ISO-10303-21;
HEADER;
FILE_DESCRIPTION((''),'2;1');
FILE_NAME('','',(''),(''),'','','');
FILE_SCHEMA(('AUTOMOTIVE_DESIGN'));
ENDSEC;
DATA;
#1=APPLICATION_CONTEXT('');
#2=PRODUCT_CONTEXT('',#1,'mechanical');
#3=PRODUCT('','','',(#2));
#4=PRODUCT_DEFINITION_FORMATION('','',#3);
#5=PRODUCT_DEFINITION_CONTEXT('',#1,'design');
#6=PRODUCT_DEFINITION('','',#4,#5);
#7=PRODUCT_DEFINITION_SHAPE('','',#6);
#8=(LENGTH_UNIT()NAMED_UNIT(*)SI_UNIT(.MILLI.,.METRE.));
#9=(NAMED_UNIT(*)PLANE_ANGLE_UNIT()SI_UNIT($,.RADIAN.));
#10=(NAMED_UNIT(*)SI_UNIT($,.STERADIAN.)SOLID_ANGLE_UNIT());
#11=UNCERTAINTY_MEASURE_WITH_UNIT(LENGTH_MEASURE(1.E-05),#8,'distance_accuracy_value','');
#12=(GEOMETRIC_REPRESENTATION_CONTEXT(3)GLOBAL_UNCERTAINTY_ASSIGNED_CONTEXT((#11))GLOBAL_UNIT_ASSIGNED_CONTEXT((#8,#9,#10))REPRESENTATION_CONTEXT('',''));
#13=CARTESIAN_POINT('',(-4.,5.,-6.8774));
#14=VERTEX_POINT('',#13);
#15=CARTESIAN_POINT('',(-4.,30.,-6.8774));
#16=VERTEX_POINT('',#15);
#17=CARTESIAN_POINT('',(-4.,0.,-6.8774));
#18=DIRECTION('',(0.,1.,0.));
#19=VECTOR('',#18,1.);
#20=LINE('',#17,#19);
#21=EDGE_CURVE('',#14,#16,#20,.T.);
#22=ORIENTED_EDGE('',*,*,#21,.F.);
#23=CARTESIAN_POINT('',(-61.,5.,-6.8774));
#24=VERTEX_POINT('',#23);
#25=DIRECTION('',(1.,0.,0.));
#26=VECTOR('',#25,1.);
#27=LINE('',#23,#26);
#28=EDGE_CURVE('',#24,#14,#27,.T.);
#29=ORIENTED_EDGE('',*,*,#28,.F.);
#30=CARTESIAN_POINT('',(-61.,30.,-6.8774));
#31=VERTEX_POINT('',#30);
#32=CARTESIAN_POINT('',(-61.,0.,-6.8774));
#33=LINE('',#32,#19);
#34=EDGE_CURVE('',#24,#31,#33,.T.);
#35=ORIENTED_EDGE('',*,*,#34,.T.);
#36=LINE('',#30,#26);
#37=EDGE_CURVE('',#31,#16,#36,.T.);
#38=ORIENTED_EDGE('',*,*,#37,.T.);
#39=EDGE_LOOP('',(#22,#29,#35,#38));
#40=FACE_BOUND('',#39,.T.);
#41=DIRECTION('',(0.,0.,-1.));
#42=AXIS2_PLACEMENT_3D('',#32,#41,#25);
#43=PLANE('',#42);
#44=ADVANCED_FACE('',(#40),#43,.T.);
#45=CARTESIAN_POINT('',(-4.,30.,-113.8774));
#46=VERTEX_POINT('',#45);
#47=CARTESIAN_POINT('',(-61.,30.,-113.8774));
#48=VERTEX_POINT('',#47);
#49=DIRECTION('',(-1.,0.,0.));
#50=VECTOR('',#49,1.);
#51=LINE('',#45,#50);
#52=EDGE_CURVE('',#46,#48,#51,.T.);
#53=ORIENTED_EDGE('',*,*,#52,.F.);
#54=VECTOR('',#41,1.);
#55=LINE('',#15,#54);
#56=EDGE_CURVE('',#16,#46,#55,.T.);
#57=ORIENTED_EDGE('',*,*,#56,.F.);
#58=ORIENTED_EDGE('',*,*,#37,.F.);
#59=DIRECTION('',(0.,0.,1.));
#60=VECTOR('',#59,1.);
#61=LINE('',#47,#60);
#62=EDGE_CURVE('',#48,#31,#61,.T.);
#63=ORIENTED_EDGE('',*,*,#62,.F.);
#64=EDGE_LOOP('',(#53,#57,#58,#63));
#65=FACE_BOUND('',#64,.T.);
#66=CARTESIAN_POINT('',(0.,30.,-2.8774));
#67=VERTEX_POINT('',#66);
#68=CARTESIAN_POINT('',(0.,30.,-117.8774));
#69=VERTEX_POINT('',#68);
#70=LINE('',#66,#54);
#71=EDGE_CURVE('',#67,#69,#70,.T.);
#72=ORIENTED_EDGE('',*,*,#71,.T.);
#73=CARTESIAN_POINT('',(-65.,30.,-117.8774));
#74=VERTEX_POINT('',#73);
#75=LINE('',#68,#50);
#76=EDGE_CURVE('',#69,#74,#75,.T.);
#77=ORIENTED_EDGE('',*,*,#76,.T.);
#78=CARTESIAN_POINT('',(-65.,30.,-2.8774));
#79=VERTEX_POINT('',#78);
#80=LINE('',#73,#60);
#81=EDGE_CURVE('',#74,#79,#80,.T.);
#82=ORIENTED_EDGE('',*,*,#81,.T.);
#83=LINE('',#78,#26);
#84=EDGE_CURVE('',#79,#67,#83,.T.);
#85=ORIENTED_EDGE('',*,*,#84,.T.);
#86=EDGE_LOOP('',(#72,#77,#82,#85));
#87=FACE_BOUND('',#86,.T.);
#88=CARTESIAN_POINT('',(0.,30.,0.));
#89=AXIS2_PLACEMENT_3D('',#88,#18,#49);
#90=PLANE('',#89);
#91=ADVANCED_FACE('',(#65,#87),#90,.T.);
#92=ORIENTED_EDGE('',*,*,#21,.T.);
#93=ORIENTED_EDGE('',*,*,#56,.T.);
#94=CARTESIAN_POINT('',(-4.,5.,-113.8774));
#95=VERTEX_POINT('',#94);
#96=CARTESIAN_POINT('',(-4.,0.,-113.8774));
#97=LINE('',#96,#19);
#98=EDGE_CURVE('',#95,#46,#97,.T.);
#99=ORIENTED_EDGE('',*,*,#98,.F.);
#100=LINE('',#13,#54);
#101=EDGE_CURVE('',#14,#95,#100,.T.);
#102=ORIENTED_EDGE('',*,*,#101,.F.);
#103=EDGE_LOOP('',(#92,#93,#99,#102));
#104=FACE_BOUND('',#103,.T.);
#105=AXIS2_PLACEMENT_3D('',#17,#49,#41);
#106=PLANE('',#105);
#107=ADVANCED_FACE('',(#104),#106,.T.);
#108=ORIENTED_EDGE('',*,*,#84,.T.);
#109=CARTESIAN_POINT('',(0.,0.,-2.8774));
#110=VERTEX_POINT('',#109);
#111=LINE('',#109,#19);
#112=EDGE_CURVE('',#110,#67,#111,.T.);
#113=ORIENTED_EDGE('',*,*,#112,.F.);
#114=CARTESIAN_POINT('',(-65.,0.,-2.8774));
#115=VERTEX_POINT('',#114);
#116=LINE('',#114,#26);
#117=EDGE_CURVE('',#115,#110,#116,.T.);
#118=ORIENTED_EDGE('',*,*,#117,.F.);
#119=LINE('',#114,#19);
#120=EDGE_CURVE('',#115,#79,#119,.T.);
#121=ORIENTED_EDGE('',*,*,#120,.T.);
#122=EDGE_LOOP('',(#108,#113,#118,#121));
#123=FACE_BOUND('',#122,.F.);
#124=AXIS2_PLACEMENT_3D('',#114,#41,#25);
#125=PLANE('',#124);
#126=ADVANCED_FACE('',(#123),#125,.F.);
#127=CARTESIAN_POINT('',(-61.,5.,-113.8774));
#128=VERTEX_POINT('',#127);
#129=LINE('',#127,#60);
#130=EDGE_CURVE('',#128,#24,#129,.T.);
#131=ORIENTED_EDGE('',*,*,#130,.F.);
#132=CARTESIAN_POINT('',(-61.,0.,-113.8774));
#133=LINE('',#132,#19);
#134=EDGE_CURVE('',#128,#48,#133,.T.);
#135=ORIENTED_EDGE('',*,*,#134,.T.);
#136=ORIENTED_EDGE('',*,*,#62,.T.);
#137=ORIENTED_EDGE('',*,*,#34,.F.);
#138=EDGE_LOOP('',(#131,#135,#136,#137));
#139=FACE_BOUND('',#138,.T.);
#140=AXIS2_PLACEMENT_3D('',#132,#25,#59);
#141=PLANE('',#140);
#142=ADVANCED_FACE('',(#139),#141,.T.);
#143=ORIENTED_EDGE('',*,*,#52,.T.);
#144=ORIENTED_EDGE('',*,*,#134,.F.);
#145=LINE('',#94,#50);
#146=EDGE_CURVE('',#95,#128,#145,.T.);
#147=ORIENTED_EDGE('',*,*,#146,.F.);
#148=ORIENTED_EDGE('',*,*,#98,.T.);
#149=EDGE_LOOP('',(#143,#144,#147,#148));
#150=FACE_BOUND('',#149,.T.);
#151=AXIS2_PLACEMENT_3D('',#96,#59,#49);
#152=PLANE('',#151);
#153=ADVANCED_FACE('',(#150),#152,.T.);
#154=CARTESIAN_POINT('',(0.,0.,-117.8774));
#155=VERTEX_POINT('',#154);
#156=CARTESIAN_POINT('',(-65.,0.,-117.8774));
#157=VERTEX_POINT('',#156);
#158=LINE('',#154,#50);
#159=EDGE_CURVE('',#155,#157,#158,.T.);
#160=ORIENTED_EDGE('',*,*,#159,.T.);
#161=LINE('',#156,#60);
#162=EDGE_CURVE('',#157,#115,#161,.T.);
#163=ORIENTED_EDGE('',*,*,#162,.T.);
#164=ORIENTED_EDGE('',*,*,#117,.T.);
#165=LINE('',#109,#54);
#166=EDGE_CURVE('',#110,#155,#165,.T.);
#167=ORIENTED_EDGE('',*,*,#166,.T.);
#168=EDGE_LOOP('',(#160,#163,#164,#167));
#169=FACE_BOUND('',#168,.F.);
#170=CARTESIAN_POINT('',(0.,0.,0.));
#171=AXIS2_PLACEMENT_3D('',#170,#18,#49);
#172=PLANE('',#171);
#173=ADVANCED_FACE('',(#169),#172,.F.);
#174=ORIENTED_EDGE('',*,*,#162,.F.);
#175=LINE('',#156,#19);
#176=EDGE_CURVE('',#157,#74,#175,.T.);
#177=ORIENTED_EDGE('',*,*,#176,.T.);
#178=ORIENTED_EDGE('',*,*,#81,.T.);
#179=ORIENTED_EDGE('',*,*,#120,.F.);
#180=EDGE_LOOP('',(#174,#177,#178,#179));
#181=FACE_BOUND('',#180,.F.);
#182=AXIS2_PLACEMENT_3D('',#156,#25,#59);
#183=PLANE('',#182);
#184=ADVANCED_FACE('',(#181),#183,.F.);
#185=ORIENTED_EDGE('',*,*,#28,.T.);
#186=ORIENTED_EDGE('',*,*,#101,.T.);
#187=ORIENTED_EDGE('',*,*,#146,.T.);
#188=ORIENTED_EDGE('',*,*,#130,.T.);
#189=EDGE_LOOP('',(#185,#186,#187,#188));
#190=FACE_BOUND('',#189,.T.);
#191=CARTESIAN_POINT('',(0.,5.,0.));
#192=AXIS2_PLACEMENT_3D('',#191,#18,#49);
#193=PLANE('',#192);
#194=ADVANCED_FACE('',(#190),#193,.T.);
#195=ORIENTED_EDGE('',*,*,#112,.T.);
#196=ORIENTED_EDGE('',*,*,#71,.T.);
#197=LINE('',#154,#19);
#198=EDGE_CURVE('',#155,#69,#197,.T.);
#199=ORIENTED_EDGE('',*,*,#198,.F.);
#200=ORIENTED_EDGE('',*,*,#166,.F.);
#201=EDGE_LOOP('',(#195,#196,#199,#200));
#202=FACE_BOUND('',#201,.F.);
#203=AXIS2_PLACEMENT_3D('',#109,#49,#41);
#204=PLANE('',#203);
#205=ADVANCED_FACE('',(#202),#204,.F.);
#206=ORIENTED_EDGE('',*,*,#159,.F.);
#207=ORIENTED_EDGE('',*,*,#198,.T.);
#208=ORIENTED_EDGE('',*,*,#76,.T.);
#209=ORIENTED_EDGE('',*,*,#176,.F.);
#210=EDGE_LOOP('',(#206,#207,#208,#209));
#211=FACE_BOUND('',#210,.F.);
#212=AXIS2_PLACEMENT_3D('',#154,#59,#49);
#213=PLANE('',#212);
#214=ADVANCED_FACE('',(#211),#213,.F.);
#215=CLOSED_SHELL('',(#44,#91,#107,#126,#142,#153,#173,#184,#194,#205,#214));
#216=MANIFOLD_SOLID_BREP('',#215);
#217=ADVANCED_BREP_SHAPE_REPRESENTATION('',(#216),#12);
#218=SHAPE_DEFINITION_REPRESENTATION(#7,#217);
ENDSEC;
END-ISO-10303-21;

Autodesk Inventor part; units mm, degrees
ref_plane "YZ Plane" through (0, 0, 0) normal (1, 0, 0) x (0, 1, 0)
ref_plane "XZ Plane" through (0, 0, 0) normal (0, 1, 0) x (-1, 0, 0)
ref_plane "XY Plane" through (0, 0, 0) normal (0, 0, 1) x (1, 0, 0)
sketch "스케치2" plane through (0, 0, 0) normal (0, 1, 0) x (-1, 0, 0)
  line L0 (65, -2.8774) -> (0, -2.8774)
  line L1 (0, -2.8774) -> (0, -117.8774)
  line L2 (0, -117.8774) -> (65, -117.8774)
  line L3 (65, -117.8774) -> (65, -2.8774)
  line L4 (61, -6.8774) -> (4, -6.8774)
  line L5 (4, -6.8774) -> (4, -113.8774)
  line L6 (4, -113.8774) -> (61, -113.8774)
  line L7 (61, -113.8774) -> (61, -6.8774)
  point P0 (0, 0)
  dimension "d0" = 65
  dimension "d1" = 115
  dimension "d2" = 4
extrude "돌출1" add sketch "스케치2" along normal blind 30
extrude "돌출2" add sketch "스케치2" along normal blind 5 contours L7 L6 L5 L4
properties part number "gps_case_2"
